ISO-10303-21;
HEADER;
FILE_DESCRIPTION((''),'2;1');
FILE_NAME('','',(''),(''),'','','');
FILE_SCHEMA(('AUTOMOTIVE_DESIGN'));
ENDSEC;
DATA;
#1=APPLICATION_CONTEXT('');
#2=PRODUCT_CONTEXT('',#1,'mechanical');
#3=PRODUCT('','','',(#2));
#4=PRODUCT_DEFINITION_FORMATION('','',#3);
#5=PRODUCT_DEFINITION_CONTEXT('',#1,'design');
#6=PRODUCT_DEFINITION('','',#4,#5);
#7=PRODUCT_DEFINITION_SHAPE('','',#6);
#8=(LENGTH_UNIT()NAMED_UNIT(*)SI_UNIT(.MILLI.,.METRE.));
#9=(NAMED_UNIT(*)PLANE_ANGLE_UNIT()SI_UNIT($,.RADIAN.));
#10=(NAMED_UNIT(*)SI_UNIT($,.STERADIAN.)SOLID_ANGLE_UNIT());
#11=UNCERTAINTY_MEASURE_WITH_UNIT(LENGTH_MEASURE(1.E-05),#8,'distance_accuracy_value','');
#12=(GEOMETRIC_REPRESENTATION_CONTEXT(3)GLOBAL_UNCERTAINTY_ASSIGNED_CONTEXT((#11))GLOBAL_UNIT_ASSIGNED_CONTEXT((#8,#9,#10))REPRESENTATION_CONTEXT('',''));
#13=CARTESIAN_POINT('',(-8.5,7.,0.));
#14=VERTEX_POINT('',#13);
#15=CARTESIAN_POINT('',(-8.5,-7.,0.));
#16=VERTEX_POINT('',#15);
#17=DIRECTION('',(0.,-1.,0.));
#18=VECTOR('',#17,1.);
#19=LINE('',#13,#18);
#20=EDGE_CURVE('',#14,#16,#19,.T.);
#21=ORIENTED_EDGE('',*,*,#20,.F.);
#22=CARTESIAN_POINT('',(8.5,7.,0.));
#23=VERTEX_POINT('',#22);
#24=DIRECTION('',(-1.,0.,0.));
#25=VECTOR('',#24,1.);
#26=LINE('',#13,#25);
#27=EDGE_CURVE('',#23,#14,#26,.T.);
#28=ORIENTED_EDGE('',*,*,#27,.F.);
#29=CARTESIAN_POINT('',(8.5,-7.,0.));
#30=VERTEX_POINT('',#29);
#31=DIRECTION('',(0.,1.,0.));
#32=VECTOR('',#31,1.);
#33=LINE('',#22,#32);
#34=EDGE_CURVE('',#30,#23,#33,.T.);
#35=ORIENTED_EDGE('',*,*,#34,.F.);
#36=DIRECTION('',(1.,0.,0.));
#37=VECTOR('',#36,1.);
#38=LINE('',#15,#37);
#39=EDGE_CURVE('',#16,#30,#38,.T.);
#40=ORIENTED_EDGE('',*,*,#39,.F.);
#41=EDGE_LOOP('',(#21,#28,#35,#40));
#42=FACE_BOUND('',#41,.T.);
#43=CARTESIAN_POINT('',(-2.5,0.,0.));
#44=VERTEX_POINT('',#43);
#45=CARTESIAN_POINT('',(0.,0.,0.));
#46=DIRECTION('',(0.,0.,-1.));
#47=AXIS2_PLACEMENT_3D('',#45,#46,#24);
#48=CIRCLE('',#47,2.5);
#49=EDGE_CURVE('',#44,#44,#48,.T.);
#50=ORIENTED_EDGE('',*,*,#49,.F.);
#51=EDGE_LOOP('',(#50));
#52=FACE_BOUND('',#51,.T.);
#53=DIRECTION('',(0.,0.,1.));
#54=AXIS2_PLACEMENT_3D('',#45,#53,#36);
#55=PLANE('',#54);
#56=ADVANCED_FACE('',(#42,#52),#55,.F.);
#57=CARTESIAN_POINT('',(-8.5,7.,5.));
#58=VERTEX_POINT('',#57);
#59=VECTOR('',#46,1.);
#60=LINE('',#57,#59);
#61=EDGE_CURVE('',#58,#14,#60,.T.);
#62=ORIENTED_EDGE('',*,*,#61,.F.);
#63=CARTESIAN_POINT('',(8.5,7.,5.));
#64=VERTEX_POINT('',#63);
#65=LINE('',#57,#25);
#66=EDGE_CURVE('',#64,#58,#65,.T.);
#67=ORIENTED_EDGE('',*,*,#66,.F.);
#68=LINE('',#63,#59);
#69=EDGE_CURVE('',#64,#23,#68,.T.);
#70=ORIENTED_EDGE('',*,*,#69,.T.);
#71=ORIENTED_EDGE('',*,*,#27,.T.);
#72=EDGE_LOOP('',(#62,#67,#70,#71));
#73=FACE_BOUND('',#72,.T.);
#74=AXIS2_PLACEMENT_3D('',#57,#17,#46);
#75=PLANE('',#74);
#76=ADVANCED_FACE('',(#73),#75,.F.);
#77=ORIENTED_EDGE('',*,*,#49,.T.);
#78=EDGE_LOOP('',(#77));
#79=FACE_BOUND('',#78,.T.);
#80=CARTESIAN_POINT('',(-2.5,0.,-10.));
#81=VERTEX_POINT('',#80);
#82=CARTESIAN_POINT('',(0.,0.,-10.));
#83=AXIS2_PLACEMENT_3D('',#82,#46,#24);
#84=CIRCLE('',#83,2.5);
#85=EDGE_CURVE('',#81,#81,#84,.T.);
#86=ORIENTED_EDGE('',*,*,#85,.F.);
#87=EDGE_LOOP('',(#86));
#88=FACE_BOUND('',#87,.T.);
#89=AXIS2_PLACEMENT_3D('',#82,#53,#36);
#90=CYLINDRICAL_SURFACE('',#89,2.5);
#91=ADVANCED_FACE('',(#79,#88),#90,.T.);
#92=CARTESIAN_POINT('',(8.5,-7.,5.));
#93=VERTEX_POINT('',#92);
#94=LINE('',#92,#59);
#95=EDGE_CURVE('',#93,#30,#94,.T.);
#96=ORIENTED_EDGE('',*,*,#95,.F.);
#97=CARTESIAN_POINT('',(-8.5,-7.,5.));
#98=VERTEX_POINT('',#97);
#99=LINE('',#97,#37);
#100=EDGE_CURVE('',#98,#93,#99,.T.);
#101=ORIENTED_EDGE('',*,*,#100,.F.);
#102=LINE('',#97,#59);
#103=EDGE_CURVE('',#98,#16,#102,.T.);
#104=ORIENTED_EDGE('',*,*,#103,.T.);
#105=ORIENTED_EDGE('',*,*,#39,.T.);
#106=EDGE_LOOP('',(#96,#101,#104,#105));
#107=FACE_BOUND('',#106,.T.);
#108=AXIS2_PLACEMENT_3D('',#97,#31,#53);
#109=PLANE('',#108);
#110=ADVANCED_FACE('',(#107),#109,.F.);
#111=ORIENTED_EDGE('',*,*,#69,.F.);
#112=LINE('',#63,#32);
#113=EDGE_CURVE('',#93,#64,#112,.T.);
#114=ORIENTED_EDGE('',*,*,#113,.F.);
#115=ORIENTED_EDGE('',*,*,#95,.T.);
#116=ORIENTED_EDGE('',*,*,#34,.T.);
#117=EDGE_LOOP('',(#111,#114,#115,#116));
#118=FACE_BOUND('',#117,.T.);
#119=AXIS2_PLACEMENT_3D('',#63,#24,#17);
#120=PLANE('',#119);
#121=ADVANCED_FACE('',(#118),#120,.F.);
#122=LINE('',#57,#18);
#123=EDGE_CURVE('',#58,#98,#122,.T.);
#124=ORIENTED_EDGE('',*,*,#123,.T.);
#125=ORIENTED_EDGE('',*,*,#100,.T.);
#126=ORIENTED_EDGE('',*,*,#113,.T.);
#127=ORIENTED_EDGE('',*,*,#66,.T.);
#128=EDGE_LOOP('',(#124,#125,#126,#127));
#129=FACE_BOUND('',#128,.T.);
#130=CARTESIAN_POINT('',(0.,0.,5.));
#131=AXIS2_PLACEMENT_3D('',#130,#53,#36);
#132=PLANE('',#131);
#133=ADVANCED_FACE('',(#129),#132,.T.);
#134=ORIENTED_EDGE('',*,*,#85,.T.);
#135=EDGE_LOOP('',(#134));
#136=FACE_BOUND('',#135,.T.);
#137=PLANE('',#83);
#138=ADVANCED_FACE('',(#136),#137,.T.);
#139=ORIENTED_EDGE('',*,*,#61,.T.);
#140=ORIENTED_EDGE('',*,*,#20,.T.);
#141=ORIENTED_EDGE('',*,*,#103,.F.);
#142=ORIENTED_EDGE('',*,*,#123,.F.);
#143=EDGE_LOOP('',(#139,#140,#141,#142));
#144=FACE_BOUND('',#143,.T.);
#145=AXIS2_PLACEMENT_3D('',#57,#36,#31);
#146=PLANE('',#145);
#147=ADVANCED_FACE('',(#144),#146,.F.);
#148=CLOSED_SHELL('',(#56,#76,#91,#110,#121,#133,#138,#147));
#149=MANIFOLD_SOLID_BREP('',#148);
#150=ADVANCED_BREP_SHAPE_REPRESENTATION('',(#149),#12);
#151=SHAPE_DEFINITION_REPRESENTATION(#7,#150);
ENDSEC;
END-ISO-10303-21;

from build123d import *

# Parameters (mm, degrees)
ESQUISSE1_W        = 17
ESQUISSE1_H        = 14
BOSS_EXTRU_1_DEPTH = 5
ESQUISSE2_R        = 2.5
BOSS_EXTRU_2_DEPTH = 10


with BuildPart() as part:
    # Esquisse1 → Boss.-Extru.1 (new body)
    with BuildSketch(Plane.XY):
        Rectangle(ESQUISSE1_W, ESQUISSE1_H)
    extrude(amount=BOSS_EXTRU_1_DEPTH)

    # Esquisse2 → Boss.-Extru.2 (add)
    with BuildSketch(Plane(origin=(0, 0, 0), x_dir=(-1, 0, 0), z_dir=(0, 0, -1))):
        Circle(ESQUISSE2_R)
    extrude(amount=BOSS_EXTRU_2_DEPTH)


solid = part.part
